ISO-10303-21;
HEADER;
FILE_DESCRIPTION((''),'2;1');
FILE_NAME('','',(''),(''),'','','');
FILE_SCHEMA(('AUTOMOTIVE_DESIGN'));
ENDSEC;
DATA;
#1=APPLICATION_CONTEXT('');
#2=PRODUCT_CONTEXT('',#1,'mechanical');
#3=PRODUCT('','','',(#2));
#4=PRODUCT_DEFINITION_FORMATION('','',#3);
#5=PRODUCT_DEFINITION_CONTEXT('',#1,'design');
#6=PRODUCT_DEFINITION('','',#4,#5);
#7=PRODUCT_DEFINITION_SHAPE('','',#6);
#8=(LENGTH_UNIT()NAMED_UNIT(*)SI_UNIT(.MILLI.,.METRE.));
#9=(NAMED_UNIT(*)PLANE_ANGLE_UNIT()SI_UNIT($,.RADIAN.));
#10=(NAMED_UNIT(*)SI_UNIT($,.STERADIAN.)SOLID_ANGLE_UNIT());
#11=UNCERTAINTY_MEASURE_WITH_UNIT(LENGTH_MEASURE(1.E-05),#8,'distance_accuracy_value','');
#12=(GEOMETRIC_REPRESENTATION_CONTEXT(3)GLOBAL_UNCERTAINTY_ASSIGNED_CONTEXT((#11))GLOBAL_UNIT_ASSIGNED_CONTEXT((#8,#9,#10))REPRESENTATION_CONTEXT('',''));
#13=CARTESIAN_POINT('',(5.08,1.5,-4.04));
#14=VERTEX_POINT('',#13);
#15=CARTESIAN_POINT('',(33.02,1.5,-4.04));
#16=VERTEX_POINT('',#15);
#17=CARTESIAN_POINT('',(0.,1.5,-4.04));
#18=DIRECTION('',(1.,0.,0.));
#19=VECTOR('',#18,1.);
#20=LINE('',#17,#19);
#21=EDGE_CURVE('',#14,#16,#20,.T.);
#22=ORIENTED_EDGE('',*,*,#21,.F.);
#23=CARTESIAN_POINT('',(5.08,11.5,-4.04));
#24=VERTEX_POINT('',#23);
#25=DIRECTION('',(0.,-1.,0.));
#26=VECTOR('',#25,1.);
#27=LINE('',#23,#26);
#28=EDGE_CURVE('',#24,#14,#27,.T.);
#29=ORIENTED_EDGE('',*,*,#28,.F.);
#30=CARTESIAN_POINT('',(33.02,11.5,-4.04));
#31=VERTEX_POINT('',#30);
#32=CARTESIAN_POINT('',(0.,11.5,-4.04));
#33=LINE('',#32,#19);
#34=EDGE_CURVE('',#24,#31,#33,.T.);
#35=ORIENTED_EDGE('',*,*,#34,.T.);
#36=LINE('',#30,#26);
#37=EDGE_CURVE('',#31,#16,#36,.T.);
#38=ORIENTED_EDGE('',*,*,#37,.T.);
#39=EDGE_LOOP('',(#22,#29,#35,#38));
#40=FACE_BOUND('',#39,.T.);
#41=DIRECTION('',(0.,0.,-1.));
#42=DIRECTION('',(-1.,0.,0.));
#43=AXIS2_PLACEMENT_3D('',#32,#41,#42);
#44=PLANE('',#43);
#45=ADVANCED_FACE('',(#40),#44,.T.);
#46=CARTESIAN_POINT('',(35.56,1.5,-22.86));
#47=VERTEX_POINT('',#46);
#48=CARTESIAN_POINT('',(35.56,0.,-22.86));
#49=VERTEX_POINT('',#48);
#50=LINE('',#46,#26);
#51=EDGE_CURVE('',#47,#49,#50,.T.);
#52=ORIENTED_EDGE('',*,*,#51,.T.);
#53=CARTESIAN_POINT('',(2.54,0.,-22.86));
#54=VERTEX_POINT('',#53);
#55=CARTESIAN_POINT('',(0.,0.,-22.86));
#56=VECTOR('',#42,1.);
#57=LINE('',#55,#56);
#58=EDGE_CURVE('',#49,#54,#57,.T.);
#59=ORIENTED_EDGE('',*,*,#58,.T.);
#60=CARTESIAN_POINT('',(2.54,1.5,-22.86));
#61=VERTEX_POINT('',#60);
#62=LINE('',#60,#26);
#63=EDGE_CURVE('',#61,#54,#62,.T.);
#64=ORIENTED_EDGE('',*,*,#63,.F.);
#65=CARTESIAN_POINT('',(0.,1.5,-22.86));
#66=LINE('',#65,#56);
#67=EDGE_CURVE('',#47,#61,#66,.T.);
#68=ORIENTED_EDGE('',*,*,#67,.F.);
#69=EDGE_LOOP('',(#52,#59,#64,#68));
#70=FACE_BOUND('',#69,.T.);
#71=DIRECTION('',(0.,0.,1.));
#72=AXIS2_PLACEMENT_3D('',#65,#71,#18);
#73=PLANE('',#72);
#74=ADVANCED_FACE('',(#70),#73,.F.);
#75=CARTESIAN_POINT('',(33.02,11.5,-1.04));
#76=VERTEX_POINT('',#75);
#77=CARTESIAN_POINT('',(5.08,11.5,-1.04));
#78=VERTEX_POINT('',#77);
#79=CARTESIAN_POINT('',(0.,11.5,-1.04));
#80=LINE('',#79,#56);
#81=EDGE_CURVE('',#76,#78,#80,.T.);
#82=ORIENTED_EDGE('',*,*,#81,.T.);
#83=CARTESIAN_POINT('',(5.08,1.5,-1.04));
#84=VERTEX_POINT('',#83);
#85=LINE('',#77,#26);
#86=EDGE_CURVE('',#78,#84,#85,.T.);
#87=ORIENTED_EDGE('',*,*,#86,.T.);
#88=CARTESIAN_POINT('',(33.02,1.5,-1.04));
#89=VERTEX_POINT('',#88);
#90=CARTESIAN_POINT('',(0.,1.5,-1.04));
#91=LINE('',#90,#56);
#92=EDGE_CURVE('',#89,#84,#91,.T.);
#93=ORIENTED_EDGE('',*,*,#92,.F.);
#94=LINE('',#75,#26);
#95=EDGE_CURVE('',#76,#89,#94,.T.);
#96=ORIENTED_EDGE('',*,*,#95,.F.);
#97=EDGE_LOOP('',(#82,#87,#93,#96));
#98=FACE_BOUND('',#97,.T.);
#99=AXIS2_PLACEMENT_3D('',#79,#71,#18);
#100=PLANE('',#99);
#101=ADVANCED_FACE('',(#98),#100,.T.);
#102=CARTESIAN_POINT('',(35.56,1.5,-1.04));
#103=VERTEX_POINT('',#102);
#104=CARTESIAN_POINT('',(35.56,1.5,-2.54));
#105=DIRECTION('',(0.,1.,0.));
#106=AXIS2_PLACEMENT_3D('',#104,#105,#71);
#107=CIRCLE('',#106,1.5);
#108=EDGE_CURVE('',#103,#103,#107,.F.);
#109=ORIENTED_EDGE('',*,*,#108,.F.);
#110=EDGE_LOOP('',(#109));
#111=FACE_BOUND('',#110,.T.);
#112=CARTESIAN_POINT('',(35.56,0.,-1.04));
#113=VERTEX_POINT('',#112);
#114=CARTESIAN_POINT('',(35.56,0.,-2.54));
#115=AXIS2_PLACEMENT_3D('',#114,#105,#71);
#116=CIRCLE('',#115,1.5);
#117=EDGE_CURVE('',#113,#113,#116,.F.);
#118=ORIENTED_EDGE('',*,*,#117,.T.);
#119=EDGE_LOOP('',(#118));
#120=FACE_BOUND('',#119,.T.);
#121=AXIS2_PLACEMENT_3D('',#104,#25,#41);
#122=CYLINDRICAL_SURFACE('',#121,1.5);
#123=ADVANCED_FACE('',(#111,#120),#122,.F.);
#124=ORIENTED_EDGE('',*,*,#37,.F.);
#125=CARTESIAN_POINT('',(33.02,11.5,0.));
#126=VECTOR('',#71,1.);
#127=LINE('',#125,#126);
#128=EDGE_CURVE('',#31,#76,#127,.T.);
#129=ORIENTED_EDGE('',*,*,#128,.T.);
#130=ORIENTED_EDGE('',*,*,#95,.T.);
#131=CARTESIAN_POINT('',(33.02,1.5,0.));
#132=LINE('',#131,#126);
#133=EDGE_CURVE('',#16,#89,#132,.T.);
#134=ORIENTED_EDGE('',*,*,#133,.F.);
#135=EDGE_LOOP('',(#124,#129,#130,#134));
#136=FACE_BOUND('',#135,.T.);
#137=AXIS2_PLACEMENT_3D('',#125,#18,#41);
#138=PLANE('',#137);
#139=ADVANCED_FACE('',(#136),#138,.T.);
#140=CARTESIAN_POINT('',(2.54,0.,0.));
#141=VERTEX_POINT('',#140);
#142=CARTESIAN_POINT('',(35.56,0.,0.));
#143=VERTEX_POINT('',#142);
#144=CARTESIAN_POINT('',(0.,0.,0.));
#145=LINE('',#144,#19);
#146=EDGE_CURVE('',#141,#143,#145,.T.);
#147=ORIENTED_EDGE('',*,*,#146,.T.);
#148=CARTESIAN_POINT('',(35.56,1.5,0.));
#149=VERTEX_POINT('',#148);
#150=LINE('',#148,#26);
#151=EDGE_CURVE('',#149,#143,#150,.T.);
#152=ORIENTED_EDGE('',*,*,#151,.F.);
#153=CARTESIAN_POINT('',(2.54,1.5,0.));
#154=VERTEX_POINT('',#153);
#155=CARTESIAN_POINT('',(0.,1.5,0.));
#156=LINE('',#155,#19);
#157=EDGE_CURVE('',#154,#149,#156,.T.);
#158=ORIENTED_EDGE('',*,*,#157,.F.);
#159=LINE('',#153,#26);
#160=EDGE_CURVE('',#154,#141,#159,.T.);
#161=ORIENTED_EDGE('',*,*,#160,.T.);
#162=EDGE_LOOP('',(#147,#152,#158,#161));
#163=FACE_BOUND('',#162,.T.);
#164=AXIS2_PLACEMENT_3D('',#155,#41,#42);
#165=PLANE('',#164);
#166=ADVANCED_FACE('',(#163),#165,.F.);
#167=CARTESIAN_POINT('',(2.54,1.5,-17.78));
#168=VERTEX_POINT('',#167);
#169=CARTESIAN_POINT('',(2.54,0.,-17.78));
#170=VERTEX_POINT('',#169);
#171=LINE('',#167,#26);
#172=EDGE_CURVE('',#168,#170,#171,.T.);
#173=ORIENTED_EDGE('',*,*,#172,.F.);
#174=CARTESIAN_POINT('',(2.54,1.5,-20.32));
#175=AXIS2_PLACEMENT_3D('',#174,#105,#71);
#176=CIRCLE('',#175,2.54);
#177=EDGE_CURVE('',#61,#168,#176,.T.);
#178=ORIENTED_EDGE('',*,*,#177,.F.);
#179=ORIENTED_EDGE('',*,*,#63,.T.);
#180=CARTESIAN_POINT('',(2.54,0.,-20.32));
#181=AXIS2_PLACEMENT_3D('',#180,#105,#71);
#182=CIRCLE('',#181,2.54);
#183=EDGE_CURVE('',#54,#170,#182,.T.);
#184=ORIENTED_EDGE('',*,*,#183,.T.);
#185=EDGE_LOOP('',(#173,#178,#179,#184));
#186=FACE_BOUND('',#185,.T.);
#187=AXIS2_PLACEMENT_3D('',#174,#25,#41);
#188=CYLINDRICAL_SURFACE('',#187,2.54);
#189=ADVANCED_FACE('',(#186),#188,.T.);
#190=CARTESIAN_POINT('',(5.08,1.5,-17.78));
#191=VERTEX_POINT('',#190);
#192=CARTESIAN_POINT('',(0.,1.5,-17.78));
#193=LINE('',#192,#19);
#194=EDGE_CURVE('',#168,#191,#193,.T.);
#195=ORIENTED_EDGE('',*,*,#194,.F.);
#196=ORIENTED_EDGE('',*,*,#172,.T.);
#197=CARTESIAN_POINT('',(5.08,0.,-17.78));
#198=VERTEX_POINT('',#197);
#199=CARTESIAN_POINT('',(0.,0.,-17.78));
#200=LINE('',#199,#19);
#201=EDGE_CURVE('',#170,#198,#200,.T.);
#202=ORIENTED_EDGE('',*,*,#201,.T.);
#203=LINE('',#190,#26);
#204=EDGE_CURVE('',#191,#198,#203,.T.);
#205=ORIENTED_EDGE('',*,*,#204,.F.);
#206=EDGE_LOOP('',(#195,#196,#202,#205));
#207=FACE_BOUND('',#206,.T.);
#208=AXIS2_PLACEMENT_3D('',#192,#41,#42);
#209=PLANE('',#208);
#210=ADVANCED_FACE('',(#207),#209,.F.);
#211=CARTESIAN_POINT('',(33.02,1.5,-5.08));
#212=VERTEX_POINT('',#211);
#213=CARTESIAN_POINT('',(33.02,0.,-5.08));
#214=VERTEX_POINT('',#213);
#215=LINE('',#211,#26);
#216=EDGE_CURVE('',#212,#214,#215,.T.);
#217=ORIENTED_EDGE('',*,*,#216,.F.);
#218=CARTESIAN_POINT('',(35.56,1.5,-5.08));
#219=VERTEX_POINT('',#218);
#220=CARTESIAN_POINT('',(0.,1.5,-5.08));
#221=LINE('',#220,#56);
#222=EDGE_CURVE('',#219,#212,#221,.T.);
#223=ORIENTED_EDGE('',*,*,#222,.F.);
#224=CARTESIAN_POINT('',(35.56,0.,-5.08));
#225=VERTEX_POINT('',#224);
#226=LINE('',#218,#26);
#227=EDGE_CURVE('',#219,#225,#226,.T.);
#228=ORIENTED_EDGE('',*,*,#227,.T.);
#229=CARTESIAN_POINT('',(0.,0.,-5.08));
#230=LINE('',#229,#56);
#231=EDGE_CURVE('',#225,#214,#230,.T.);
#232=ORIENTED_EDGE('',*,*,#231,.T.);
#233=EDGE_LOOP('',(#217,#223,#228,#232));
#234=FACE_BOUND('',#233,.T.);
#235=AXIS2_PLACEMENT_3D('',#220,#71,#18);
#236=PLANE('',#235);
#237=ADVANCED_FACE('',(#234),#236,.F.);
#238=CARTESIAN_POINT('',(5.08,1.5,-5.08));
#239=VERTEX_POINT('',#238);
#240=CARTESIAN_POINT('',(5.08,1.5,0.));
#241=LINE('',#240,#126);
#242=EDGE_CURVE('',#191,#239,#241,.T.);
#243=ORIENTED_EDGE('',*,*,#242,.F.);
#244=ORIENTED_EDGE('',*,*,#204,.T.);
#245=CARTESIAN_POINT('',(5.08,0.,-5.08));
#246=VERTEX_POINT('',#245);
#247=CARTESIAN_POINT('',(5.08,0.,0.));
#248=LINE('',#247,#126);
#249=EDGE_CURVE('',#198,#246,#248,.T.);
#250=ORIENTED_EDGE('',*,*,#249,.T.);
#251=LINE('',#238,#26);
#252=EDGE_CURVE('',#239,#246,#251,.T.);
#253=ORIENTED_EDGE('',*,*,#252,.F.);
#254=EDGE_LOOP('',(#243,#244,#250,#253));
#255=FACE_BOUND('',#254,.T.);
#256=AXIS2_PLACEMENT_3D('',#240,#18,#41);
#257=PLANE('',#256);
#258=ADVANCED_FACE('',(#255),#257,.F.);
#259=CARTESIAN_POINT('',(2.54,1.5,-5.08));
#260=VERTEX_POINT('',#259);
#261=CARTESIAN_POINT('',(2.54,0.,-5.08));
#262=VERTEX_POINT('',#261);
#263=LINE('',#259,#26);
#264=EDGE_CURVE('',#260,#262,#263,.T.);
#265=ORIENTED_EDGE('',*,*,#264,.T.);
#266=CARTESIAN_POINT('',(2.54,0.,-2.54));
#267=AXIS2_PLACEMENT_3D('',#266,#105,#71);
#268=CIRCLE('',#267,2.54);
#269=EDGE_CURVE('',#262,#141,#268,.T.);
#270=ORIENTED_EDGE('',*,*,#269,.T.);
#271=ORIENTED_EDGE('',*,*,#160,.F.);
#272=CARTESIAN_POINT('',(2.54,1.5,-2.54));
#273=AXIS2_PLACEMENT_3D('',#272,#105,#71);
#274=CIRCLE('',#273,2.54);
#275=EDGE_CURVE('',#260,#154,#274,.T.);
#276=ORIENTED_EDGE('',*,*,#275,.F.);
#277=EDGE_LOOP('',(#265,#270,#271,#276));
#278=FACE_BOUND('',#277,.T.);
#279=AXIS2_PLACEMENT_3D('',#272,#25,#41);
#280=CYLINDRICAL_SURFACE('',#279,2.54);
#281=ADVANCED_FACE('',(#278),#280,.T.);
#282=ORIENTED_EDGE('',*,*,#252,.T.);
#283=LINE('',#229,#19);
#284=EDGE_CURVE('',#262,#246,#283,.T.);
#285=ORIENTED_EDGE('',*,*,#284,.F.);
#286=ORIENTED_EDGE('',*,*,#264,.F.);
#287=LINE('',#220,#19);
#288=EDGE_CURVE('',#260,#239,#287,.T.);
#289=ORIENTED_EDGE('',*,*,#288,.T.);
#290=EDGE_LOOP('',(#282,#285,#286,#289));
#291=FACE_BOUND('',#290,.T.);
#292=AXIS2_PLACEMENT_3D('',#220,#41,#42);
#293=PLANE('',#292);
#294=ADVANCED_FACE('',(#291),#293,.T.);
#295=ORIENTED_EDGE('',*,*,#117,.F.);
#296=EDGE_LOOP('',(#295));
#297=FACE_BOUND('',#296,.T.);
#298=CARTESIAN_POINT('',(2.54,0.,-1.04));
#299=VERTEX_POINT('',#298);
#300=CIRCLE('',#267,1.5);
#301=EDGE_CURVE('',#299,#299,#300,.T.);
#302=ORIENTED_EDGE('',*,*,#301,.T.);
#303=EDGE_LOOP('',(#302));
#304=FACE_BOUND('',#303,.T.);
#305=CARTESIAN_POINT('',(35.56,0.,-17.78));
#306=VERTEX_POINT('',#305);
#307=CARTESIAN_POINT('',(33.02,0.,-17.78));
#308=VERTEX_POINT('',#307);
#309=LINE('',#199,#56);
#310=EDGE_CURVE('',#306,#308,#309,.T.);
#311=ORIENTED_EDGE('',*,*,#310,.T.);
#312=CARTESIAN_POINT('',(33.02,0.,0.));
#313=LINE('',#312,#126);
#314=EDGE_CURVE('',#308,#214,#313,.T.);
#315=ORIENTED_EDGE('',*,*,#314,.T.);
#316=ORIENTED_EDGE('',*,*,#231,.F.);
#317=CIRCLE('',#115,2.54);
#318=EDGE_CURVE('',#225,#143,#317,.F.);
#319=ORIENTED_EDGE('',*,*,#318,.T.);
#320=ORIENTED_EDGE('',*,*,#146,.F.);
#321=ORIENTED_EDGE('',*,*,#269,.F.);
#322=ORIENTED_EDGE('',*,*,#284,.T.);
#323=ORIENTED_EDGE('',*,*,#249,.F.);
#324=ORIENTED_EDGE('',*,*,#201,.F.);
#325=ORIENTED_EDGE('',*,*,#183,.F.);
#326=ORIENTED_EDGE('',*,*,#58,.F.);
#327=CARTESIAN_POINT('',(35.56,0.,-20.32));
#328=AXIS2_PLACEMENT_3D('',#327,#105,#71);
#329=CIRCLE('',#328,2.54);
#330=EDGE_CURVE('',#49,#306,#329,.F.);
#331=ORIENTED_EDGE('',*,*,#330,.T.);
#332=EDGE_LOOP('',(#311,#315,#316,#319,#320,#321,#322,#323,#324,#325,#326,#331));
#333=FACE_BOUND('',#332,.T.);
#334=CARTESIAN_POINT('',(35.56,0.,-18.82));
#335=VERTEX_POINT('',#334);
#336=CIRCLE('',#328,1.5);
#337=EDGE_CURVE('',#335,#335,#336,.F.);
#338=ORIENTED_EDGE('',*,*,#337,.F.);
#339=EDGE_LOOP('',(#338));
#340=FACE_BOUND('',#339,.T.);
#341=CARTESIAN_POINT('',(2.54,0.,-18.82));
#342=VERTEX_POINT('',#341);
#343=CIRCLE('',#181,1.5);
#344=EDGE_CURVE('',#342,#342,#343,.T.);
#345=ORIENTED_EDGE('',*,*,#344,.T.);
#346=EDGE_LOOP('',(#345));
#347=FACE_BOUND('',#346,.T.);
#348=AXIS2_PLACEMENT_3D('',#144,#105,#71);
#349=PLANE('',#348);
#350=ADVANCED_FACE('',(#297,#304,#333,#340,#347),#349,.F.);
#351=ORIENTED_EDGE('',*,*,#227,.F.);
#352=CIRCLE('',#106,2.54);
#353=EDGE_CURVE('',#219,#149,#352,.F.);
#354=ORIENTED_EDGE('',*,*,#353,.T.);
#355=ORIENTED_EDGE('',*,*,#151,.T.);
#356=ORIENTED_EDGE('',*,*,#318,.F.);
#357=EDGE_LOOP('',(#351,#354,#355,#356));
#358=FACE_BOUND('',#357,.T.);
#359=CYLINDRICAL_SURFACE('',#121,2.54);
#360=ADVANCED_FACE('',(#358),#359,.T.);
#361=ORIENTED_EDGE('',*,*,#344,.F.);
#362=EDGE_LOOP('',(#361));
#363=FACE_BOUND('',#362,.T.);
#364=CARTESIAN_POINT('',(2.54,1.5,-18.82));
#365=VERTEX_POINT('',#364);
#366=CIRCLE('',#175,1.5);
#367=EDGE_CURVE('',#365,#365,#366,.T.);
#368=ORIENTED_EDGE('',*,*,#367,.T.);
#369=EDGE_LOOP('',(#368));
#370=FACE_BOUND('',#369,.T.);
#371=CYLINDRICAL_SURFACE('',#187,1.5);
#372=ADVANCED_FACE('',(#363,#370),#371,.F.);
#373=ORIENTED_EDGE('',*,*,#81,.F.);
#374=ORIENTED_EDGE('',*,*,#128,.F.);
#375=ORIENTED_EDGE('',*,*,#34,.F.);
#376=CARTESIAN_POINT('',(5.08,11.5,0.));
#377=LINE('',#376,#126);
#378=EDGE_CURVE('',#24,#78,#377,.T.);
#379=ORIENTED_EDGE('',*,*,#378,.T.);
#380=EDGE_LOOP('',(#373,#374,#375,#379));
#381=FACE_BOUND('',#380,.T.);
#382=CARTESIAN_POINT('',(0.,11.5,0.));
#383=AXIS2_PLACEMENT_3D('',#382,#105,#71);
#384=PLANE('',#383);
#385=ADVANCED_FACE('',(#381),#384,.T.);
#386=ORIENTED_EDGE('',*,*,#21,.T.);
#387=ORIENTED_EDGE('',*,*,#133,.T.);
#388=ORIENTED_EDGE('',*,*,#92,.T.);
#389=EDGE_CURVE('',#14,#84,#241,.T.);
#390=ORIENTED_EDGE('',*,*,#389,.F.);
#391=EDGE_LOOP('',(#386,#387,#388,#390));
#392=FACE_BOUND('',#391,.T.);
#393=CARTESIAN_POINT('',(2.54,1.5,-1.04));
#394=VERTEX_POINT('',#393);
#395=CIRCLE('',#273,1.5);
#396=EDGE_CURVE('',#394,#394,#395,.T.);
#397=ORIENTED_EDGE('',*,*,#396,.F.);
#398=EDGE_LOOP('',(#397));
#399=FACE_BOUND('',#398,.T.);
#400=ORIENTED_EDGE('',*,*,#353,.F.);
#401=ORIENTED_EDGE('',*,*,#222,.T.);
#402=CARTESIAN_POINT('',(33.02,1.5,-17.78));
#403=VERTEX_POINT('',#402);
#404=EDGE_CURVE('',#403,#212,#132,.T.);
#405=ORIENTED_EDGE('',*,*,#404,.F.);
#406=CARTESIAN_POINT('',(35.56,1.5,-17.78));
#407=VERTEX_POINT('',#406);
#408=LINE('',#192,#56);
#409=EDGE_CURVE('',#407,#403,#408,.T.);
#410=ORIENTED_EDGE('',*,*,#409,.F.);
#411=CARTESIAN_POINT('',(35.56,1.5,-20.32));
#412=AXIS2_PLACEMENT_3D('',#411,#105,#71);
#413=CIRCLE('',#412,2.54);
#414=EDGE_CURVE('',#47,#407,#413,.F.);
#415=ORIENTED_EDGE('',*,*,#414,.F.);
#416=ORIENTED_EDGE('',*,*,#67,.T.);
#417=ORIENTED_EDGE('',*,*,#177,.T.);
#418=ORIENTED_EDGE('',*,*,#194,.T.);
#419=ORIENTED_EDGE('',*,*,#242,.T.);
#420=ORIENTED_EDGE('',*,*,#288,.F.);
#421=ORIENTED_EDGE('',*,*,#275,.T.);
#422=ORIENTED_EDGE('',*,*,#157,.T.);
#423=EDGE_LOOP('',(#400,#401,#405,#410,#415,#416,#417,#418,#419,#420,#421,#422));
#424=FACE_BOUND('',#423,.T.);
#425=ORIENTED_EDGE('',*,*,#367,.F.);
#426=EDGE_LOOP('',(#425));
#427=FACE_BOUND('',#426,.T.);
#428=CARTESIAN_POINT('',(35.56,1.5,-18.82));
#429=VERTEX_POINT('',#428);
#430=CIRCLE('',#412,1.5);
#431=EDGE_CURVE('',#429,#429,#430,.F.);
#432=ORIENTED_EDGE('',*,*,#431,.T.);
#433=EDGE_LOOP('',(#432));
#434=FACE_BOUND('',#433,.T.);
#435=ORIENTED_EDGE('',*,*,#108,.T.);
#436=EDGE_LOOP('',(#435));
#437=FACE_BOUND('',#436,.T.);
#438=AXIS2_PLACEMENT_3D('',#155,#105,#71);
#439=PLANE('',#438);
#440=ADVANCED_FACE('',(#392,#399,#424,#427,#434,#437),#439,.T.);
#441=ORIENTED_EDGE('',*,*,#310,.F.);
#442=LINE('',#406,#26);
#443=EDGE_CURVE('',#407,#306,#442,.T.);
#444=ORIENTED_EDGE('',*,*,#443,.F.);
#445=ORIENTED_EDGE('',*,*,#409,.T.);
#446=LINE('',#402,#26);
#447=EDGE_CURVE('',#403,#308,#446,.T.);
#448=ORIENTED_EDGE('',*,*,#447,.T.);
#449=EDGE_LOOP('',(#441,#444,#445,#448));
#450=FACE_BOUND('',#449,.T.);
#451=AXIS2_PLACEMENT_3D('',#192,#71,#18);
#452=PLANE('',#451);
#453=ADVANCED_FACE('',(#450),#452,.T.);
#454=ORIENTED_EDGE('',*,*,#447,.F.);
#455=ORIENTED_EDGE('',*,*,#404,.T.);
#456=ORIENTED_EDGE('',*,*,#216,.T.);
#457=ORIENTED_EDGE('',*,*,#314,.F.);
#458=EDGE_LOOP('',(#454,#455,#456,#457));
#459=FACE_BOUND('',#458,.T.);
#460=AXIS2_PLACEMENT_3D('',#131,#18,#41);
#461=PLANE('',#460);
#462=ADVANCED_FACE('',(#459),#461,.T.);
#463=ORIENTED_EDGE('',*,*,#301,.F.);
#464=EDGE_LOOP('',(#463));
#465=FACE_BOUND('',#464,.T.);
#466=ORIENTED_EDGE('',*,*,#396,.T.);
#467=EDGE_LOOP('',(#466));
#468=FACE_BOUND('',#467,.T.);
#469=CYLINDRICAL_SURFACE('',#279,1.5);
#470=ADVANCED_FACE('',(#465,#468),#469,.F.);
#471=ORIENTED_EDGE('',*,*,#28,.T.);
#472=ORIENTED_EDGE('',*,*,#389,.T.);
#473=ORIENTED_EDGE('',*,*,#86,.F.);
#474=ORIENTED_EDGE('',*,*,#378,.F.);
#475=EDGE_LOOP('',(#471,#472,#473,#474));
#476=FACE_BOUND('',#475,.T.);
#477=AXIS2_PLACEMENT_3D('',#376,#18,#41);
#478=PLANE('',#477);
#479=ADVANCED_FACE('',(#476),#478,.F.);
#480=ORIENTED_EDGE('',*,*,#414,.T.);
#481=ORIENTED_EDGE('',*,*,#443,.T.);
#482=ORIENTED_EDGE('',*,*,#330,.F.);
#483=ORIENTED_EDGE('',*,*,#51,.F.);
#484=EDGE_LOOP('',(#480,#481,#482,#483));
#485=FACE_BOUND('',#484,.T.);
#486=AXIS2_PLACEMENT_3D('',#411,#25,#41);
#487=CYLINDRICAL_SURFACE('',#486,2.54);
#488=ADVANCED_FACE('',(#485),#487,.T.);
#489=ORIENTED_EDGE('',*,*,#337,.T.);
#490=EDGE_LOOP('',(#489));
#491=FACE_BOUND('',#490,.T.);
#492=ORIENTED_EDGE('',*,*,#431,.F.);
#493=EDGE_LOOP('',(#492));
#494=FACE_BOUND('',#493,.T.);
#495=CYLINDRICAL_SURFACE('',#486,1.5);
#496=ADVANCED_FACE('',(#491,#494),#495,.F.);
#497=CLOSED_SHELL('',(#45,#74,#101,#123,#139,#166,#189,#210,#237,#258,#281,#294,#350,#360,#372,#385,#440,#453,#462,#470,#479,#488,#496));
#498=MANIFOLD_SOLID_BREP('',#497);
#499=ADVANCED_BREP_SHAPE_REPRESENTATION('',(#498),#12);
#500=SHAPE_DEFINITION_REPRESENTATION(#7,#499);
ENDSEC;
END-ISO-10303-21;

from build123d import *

# Parameters (mm, degrees)
SKETCH_1_R      = 1.5
EXTRUDE_1_DEPTH = 1.5
SKETCH_2_W      = 27.94
SKETCH_2_H      = 3
EXTRUDE_2_DEPTH = 10


with BuildPart() as part:
    # Эскиз1 → Бобышка-Вытянуть1 (new body)
    with BuildSketch(Plane(origin=(0, 0, 0), x_dir=(1, 0, 0), z_dir=(0, 1, 0))):
        with BuildLine():
            ThreePointArc((35.56, 22.86), (38.1, 20.32), (35.56, 17.78))
            Line((35.56, 17.78), (33.02, 17.78))
            Line((33.02, 17.78), (33.02, 5.08))
            Line((33.02, 5.08), (35.56, 5.08))
            ThreePointArc((35.56, 5.08), (38.1, 2.54), (35.56, 0))
            Line((35.56, 0), (2.54, 0))
            ThreePointArc((2.54, 0), (0, 2.54), (2.54, 5.08))
            Line((2.54, 5.08), (5.08, 5.08))
            Line((5.08, 5.08), (5.08, 17.78))
            Line((5.08, 17.78), (2.54, 17.78))
            ThreePointArc((2.54, 17.78), (0, 20.32), (2.54, 22.86))
            Line((2.54, 22.86), (35.56, 22.86))
        make_face()
        with Locations(Location((35.56, 2.54, 0), (0, 0, 270))):
            Circle(SKETCH_1_R, mode=Mode.SUBTRACT)
        with Locations(Location((2.54, 2.54, 0), (0, 0, 270))):
            Circle(SKETCH_1_R, mode=Mode.SUBTRACT)
        with Locations(Location((2.54, 20.32, 0), (0, 0, 270))):
            Circle(SKETCH_1_R, mode=Mode.SUBTRACT)
        with Locations(Location((35.56, 20.32, 0), (0, 0, 270))):
            Circle(SKETCH_1_R, mode=Mode.SUBTRACT)
    extrude(amount=EXTRUDE_1_DEPTH)

    # Эскиз2 → Бобышка-Вытянуть2 (add)
    with BuildSketch(Plane(origin=(0, 1.5, 0), x_dir=(1, 0, 0), z_dir=(0, 1, 0))):
        with Locations((19.05, 2.54)):
            Rectangle(SKETCH_2_W, SKETCH_2_H)
    extrude(amount=EXTRUDE_2_DEPTH)


solid = part.part
